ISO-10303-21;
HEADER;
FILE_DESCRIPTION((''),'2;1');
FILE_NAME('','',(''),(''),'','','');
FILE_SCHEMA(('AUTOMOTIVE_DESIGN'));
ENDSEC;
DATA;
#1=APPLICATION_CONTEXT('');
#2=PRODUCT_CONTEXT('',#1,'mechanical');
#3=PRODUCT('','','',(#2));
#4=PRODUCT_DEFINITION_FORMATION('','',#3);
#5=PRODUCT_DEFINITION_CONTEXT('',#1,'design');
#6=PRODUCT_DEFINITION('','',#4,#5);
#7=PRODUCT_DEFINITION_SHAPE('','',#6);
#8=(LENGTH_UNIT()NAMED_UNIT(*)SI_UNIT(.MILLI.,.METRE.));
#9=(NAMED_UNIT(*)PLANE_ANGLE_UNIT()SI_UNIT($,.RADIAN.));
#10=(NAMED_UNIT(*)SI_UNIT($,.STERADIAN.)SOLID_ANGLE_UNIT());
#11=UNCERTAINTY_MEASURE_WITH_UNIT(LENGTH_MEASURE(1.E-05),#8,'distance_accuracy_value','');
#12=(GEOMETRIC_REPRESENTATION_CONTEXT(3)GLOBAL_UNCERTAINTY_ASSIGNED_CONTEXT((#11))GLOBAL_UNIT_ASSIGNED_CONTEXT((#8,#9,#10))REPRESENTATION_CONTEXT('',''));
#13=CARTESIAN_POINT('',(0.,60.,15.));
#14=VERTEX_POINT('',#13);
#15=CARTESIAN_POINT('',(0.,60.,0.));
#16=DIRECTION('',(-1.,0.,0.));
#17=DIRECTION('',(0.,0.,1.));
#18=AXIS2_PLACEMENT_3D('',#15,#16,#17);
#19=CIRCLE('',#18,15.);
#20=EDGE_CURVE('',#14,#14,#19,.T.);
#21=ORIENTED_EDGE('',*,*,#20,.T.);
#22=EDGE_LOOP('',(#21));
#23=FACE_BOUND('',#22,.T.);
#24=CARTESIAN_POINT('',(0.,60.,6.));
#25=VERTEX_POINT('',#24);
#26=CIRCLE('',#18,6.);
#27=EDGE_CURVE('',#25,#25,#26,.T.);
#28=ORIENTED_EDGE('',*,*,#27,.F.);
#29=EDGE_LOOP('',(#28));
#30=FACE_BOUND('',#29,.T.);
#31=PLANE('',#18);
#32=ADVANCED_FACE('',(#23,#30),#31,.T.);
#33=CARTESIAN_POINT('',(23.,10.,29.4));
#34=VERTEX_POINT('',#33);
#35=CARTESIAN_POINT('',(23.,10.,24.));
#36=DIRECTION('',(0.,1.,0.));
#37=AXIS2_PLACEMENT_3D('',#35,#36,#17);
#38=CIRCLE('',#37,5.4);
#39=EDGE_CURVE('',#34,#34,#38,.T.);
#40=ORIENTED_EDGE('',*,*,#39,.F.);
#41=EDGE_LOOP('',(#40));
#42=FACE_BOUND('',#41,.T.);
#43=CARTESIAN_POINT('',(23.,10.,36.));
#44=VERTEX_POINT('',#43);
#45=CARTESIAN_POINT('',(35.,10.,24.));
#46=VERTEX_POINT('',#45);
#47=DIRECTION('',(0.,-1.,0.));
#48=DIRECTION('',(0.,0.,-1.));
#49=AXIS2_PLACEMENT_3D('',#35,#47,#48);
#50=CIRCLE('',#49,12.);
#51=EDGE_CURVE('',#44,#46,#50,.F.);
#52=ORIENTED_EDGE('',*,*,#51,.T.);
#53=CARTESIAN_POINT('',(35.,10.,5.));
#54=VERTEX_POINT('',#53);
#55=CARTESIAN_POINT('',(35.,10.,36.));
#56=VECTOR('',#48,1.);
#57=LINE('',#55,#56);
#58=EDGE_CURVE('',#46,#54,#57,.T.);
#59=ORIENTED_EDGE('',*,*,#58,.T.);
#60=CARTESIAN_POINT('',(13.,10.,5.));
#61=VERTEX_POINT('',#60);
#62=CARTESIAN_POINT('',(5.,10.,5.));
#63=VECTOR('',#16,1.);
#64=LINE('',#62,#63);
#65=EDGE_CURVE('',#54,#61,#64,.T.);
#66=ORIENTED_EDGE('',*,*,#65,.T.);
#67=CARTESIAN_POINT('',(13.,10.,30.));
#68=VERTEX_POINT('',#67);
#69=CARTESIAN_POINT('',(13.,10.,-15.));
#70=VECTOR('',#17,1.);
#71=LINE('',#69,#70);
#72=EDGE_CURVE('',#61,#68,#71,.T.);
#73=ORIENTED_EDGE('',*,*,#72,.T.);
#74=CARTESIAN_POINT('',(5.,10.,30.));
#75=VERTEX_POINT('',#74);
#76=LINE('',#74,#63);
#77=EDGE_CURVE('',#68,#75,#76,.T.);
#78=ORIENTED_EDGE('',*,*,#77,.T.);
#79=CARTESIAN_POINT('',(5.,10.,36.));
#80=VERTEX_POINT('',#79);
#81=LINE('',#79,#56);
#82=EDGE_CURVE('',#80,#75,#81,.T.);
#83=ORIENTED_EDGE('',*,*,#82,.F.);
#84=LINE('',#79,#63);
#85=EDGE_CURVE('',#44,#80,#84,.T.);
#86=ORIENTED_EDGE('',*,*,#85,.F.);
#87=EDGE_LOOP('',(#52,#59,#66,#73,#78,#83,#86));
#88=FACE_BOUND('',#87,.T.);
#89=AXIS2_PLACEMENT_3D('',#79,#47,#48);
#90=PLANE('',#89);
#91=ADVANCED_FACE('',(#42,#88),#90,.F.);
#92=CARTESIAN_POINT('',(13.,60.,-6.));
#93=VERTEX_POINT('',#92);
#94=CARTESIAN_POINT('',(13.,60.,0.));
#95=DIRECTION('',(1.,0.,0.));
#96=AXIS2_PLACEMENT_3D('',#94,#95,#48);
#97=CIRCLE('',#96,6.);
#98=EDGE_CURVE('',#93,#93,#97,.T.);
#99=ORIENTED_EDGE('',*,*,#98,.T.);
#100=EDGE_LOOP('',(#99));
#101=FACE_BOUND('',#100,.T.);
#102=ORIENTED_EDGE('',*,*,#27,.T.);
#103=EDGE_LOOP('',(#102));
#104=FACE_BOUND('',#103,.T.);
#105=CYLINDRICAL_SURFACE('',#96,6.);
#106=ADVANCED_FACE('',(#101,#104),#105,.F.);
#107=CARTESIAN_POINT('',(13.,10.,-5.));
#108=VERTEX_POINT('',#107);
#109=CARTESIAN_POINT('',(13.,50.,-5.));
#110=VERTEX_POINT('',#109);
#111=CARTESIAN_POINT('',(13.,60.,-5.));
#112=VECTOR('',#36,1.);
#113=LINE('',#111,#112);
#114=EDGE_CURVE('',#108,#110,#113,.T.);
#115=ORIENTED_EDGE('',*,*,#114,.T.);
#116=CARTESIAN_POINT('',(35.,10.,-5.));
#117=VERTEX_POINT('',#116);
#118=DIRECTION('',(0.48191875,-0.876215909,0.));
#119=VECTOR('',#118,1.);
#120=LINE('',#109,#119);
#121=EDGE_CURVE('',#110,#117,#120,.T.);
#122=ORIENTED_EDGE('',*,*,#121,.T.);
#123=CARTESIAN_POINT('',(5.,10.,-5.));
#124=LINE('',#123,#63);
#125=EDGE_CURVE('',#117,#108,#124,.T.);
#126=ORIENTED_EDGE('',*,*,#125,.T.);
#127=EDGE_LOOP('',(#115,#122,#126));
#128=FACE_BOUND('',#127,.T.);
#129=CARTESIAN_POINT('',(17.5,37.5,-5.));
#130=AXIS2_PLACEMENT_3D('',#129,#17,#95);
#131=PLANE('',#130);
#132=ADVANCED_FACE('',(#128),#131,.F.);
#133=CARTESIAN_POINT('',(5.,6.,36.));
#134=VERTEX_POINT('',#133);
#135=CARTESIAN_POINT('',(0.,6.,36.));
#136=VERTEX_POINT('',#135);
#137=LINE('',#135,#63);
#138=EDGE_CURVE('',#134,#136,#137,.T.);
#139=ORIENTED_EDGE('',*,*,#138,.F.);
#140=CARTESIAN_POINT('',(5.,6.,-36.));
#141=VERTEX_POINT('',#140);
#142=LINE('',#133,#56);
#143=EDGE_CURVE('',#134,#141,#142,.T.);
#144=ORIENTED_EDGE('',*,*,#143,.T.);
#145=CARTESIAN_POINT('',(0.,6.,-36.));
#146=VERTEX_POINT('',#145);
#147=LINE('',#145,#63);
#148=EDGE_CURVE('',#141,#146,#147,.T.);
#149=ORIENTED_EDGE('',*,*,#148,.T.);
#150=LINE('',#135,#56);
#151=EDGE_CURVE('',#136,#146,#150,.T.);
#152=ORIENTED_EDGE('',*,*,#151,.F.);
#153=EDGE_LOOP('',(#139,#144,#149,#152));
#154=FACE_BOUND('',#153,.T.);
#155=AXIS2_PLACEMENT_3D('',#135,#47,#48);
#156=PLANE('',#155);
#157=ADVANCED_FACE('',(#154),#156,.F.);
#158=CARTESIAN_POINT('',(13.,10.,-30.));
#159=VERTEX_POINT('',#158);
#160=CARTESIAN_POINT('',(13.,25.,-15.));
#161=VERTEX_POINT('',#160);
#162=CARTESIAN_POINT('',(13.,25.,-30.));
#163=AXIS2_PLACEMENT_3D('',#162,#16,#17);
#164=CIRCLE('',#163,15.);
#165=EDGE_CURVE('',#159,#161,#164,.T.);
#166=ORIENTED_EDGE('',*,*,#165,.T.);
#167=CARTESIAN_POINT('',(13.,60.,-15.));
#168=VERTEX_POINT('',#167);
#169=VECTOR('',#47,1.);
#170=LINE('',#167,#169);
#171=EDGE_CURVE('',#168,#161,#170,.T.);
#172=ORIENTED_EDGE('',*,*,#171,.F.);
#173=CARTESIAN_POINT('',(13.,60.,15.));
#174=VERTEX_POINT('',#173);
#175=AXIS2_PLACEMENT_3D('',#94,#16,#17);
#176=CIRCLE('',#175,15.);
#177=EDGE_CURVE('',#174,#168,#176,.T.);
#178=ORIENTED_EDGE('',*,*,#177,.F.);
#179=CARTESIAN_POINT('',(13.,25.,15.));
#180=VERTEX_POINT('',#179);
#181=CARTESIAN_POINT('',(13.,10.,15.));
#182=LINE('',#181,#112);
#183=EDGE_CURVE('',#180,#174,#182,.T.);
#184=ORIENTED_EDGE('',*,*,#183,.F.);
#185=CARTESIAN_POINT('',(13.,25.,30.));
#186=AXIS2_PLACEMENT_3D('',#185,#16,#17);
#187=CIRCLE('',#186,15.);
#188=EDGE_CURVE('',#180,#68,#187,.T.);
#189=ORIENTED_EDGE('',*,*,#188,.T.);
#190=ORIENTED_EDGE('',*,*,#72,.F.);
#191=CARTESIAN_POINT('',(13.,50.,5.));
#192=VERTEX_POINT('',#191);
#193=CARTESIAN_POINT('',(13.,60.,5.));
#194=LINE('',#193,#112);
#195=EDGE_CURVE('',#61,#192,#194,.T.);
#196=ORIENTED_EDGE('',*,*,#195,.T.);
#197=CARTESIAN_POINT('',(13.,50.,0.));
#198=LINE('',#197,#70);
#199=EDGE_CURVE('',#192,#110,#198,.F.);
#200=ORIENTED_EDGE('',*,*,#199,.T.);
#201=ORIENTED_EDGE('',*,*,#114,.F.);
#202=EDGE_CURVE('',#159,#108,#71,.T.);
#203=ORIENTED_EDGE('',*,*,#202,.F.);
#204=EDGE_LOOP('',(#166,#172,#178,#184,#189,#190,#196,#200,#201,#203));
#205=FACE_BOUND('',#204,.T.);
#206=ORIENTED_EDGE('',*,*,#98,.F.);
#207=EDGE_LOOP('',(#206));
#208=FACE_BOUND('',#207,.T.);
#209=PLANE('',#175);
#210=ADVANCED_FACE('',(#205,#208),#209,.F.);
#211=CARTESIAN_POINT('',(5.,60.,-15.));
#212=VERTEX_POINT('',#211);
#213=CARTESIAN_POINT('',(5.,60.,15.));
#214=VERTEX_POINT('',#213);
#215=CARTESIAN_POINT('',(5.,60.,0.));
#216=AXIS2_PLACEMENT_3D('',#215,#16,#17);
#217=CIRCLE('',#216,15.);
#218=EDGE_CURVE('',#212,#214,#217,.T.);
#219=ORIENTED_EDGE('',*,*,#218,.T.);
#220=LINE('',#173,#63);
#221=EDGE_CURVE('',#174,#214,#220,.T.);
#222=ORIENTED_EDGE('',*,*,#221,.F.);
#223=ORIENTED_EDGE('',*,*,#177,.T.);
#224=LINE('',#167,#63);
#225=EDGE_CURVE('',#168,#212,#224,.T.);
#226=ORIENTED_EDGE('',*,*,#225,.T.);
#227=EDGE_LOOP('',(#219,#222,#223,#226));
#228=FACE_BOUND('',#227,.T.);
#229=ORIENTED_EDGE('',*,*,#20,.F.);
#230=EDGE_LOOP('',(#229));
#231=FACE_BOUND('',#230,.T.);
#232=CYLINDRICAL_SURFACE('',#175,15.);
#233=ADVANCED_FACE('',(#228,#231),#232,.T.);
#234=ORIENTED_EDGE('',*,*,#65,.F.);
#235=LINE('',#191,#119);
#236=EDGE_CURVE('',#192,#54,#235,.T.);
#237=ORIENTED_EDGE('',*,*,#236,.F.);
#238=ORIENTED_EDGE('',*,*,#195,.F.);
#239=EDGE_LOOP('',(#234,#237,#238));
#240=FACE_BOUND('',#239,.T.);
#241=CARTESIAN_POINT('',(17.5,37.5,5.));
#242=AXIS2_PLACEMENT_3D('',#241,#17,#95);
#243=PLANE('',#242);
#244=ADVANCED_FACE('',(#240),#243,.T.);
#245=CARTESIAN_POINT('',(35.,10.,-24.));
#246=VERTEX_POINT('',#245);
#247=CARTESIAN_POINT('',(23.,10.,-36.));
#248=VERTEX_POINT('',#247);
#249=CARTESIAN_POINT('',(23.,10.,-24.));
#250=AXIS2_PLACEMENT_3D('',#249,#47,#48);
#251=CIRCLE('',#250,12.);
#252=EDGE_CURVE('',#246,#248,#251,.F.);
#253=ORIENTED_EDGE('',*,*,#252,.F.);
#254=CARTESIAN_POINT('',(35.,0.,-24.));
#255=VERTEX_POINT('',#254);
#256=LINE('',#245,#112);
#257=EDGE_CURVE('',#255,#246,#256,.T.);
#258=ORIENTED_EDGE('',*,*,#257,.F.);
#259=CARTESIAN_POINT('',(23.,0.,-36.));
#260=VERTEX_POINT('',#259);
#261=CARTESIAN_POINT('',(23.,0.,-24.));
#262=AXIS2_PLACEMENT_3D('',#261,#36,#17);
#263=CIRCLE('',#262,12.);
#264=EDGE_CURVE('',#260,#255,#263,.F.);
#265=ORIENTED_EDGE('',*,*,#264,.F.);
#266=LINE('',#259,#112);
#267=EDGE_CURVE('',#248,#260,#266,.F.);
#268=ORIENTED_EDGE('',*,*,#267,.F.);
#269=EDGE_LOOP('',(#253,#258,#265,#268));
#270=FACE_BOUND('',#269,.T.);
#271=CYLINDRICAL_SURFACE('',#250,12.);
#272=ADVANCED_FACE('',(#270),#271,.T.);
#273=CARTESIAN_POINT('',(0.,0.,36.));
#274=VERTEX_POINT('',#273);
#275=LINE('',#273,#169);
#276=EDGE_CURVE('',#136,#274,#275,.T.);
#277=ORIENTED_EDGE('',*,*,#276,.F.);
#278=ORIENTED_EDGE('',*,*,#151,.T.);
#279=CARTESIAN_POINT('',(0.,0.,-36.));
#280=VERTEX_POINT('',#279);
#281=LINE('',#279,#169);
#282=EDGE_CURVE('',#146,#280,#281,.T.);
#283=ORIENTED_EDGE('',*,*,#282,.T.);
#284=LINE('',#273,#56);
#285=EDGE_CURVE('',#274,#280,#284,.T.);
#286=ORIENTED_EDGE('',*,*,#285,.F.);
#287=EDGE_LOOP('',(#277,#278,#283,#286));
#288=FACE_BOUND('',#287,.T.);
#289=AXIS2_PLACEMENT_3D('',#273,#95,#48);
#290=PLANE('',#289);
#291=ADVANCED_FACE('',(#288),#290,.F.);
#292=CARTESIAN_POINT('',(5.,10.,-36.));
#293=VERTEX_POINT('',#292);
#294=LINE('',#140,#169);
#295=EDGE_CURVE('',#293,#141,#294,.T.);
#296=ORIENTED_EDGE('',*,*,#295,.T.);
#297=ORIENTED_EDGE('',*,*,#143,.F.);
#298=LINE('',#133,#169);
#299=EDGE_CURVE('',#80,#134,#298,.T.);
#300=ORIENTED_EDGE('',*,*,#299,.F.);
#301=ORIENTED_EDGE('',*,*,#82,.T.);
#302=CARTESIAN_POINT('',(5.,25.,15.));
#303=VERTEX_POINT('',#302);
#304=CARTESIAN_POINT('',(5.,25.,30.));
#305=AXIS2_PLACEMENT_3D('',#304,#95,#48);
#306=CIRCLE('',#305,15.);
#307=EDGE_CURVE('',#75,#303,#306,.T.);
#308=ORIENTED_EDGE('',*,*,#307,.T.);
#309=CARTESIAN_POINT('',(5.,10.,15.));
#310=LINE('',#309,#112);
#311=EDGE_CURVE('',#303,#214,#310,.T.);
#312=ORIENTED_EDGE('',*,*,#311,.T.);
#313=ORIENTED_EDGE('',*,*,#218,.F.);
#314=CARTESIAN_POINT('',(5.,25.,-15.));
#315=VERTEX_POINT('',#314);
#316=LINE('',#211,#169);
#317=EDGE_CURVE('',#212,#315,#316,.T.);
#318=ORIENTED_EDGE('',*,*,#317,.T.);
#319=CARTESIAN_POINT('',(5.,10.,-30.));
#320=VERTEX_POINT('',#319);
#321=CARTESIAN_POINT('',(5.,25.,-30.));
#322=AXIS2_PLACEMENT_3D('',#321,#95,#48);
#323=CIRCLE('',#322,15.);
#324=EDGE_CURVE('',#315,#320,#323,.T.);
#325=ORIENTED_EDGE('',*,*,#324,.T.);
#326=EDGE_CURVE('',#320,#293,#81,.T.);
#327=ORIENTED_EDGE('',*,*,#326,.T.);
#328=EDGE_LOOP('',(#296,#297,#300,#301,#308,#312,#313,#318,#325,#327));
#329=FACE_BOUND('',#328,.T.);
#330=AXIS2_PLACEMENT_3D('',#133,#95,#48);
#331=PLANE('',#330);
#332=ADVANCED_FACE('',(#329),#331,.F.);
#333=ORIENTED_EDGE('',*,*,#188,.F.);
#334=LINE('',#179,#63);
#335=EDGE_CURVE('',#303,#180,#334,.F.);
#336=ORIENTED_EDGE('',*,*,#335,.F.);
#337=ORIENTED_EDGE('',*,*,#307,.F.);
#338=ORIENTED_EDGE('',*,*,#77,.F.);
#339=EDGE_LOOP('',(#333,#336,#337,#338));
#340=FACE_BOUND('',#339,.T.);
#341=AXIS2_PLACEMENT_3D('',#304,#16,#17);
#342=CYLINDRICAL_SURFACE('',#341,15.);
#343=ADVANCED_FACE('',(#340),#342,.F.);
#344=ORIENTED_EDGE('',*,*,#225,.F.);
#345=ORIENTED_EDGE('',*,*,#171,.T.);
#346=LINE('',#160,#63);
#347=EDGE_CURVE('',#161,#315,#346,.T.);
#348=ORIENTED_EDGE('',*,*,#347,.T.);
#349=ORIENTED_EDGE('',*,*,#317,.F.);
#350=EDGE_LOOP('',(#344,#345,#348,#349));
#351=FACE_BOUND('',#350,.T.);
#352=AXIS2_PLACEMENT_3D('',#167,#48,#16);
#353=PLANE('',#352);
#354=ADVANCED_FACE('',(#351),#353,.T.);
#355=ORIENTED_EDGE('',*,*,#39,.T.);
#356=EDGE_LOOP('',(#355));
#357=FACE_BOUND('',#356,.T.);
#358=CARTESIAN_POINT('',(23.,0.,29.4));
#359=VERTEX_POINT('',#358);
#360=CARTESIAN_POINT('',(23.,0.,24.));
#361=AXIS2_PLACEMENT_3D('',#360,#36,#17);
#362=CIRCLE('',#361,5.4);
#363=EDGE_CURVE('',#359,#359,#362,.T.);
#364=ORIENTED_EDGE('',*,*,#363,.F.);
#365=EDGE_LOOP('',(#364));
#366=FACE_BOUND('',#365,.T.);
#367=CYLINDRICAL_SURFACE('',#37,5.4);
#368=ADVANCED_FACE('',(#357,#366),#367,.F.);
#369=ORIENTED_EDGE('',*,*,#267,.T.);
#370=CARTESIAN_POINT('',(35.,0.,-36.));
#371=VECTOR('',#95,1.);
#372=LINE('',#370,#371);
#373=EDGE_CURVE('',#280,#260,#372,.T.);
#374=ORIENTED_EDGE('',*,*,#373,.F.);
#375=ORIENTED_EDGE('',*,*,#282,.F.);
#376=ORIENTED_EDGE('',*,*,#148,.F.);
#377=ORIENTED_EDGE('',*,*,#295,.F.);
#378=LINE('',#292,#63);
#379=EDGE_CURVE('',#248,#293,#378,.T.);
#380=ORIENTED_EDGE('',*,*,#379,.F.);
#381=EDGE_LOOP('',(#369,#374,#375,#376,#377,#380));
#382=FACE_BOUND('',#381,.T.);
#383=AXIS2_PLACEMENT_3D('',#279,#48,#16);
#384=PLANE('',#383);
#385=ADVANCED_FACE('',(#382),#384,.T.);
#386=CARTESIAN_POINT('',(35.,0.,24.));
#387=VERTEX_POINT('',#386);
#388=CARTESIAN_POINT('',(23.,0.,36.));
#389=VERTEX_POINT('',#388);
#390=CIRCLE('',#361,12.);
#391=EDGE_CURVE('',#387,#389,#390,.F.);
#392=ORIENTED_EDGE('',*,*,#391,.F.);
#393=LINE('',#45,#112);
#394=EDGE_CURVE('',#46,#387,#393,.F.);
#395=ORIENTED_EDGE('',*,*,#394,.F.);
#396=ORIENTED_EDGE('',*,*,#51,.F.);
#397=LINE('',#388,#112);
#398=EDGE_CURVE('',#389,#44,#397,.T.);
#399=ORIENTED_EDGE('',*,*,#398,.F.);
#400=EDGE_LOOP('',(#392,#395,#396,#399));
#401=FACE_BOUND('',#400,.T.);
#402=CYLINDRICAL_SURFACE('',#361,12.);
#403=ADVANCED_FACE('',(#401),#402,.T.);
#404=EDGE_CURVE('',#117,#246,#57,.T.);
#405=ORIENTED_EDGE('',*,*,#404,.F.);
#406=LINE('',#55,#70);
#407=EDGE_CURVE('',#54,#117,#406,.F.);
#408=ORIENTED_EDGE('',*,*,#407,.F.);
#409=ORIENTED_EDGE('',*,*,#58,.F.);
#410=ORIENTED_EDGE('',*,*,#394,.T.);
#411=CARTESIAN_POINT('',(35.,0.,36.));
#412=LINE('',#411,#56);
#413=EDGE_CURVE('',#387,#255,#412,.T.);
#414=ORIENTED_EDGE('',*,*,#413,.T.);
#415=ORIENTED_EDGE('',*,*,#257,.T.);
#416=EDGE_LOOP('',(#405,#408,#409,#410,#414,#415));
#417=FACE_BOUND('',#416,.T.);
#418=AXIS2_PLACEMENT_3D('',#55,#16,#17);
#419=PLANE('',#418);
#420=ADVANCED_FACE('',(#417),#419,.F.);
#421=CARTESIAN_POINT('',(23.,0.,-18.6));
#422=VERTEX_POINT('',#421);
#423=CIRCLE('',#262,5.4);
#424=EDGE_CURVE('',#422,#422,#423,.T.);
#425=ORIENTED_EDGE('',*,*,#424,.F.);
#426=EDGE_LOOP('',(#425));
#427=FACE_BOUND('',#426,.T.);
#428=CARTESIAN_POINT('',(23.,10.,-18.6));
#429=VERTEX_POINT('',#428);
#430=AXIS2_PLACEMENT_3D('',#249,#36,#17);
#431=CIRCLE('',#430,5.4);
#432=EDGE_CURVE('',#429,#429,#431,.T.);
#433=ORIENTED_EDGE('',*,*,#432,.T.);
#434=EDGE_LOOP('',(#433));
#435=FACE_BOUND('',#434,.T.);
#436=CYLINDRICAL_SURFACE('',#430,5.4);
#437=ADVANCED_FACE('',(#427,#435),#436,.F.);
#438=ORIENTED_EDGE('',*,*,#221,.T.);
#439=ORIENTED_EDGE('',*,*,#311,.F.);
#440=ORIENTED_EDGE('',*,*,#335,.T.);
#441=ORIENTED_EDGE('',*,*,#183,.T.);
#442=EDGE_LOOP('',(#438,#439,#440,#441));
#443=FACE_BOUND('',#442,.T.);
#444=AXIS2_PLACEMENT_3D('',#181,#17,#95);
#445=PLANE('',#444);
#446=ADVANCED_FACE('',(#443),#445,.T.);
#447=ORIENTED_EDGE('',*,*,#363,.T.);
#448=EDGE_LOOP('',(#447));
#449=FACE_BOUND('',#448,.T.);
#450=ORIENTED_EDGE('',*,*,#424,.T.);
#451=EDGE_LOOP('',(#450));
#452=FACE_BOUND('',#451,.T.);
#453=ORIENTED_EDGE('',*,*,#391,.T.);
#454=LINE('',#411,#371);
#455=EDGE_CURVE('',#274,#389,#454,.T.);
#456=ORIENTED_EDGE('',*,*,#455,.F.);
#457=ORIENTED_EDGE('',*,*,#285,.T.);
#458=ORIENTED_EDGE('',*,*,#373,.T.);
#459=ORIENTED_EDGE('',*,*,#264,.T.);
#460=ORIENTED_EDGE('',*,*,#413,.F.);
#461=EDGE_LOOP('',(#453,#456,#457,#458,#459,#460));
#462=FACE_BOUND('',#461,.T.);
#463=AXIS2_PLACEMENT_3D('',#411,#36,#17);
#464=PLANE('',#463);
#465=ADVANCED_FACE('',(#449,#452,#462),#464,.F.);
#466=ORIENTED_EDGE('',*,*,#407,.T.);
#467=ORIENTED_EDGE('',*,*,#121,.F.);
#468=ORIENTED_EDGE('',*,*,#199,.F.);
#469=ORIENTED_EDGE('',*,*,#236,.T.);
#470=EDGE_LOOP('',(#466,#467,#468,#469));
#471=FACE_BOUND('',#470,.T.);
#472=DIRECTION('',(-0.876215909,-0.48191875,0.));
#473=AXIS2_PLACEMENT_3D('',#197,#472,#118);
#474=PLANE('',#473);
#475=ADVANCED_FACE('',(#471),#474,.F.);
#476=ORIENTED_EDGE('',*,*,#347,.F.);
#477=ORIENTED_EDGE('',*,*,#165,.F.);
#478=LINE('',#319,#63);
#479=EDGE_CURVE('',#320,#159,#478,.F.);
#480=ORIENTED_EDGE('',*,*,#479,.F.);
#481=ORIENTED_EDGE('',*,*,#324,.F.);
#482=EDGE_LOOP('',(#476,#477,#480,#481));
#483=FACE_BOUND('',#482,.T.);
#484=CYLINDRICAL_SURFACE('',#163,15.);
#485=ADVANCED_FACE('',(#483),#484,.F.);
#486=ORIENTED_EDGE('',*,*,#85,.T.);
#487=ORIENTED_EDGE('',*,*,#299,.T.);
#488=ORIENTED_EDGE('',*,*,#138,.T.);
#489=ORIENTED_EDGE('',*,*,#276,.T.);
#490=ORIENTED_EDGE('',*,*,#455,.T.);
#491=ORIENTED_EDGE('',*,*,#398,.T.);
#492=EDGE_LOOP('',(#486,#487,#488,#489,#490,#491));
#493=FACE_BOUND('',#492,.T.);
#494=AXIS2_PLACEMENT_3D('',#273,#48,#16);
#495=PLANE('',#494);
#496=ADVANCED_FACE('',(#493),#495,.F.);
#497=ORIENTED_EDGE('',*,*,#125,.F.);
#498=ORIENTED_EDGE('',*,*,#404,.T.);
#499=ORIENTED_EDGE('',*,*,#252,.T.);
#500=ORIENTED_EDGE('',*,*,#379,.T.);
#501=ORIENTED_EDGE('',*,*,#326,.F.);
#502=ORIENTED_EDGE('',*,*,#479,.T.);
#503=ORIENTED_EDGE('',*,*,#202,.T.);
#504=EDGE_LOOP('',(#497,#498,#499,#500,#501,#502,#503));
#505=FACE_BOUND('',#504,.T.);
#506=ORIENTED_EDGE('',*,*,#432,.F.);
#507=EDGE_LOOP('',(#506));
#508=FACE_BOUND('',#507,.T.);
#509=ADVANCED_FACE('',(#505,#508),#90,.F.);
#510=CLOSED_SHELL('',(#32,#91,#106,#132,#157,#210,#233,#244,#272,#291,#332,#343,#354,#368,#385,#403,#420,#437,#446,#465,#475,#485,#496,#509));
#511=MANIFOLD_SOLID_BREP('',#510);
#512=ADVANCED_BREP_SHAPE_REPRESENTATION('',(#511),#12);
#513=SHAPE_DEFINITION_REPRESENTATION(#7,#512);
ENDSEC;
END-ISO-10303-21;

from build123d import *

# Parameters (mm, degrees)
BOSS_EXTRUDE1_DEPTH     = 36
FILLET1_R               = 12
BOSS_EXTRUDE2_DEPTH     = 8
FILLET2_R               = 15
BOSS_EXTRUDE3_START     = 5
SKETCH3_R               = 15
BOSS_EXTRUDE3_DEPTH     = 5
HOLE1_D                 = 12
M12X1_25_TAPPED_HOLE1_D = 10.8
RIB1_REACH              = 92.255
SKETCH9_WALL_W          = 228.161236354
SKETCH9_WALL_H          = 10


with BuildPart() as part:
    # Sketch1 → Boss-Extrude1 (new, symmetric)
    with BuildSketch(Plane.XY):
        Polygon((0, 0), (0, 6), (5, 6), (5, 10), (35, 10), (35, 0), align=None)
    extrude(amount=BOSS_EXTRUDE1_DEPTH, both=True)

    # Fillet1
    fillet1_edges = [part.edges().sort_by_distance(p)[0] for p in [
        (35, 5, -36),
        (35, 5, 36),
    ]]
    fillet(fillet1_edges, radius=FILLET1_R)

    # Sketch2 → Boss-Extrude2 (add)
    with BuildSketch(Plane.ZY.offset(-5)):
        with BuildLine():
            Line((-15, 60), (-15, 10))
            Line((-15, 10), (15, 10))
            Line((15, 10), (15, 60))
            ThreePointArc((15, 60), (0, 75), (-15, 60))
        make_face()
    extrude(amount=-BOSS_EXTRUDE2_DEPTH)

    # Fillet2
    fillet2_edges = [part.edges().sort_by_distance(p)[0] for p in [
        (9, 10, 15),
        (9, 10, -15),
    ]]
    fillet(fillet2_edges, radius=FILLET2_R)

    # Sketch3 → Boss-Extrude3 (add)
    with BuildSketch(Plane.ZY.offset(-5).offset(BOSS_EXTRUDE3_START)):
        with Locations((0, 60)):
            Circle(SKETCH3_R)
    extrude(amount=-BOSS_EXTRUDE3_DEPTH)

    # Hole1 (through all)
    with Locations(Plane(origin=(13, 0, 0), x_dir=(0, 0, -1), z_dir=(1, 0, 0))):
        with Locations((0, 60)):
            Hole(HOLE1_D / 2)

    # M12x1.25 Tapped Hole1 (through all)
    with Locations(Plane(origin=(0, 10, 0), x_dir=(1, 0, 0), z_dir=(0, 1, 0))):
        with Locations((23, -24), (23, 24)):
            Hole(M12X1_25_TAPPED_HOLE1_D / 2)

    # Sketch9 wall → Rib1 (add, up to next)
    with BuildSketch(Plane(origin=(24, 30, 0), x_dir=(0.481918749772, -0.876215908677, 0), z_dir=(0.876215908677, 0.481918749772, 0)), mode=Mode.PRIVATE) as rib1_sk1:
        Rectangle(SKETCH9_WALL_W, SKETCH9_WALL_H)
    rib1_tool1 = extrude(rib1_sk1.sketch, amount=-RIB1_REACH, mode=Mode.PRIVATE) - part.part
    add(rib1_tool1.solids().sort_by_distance((24, 30, 0))[0])


solid = part.part
